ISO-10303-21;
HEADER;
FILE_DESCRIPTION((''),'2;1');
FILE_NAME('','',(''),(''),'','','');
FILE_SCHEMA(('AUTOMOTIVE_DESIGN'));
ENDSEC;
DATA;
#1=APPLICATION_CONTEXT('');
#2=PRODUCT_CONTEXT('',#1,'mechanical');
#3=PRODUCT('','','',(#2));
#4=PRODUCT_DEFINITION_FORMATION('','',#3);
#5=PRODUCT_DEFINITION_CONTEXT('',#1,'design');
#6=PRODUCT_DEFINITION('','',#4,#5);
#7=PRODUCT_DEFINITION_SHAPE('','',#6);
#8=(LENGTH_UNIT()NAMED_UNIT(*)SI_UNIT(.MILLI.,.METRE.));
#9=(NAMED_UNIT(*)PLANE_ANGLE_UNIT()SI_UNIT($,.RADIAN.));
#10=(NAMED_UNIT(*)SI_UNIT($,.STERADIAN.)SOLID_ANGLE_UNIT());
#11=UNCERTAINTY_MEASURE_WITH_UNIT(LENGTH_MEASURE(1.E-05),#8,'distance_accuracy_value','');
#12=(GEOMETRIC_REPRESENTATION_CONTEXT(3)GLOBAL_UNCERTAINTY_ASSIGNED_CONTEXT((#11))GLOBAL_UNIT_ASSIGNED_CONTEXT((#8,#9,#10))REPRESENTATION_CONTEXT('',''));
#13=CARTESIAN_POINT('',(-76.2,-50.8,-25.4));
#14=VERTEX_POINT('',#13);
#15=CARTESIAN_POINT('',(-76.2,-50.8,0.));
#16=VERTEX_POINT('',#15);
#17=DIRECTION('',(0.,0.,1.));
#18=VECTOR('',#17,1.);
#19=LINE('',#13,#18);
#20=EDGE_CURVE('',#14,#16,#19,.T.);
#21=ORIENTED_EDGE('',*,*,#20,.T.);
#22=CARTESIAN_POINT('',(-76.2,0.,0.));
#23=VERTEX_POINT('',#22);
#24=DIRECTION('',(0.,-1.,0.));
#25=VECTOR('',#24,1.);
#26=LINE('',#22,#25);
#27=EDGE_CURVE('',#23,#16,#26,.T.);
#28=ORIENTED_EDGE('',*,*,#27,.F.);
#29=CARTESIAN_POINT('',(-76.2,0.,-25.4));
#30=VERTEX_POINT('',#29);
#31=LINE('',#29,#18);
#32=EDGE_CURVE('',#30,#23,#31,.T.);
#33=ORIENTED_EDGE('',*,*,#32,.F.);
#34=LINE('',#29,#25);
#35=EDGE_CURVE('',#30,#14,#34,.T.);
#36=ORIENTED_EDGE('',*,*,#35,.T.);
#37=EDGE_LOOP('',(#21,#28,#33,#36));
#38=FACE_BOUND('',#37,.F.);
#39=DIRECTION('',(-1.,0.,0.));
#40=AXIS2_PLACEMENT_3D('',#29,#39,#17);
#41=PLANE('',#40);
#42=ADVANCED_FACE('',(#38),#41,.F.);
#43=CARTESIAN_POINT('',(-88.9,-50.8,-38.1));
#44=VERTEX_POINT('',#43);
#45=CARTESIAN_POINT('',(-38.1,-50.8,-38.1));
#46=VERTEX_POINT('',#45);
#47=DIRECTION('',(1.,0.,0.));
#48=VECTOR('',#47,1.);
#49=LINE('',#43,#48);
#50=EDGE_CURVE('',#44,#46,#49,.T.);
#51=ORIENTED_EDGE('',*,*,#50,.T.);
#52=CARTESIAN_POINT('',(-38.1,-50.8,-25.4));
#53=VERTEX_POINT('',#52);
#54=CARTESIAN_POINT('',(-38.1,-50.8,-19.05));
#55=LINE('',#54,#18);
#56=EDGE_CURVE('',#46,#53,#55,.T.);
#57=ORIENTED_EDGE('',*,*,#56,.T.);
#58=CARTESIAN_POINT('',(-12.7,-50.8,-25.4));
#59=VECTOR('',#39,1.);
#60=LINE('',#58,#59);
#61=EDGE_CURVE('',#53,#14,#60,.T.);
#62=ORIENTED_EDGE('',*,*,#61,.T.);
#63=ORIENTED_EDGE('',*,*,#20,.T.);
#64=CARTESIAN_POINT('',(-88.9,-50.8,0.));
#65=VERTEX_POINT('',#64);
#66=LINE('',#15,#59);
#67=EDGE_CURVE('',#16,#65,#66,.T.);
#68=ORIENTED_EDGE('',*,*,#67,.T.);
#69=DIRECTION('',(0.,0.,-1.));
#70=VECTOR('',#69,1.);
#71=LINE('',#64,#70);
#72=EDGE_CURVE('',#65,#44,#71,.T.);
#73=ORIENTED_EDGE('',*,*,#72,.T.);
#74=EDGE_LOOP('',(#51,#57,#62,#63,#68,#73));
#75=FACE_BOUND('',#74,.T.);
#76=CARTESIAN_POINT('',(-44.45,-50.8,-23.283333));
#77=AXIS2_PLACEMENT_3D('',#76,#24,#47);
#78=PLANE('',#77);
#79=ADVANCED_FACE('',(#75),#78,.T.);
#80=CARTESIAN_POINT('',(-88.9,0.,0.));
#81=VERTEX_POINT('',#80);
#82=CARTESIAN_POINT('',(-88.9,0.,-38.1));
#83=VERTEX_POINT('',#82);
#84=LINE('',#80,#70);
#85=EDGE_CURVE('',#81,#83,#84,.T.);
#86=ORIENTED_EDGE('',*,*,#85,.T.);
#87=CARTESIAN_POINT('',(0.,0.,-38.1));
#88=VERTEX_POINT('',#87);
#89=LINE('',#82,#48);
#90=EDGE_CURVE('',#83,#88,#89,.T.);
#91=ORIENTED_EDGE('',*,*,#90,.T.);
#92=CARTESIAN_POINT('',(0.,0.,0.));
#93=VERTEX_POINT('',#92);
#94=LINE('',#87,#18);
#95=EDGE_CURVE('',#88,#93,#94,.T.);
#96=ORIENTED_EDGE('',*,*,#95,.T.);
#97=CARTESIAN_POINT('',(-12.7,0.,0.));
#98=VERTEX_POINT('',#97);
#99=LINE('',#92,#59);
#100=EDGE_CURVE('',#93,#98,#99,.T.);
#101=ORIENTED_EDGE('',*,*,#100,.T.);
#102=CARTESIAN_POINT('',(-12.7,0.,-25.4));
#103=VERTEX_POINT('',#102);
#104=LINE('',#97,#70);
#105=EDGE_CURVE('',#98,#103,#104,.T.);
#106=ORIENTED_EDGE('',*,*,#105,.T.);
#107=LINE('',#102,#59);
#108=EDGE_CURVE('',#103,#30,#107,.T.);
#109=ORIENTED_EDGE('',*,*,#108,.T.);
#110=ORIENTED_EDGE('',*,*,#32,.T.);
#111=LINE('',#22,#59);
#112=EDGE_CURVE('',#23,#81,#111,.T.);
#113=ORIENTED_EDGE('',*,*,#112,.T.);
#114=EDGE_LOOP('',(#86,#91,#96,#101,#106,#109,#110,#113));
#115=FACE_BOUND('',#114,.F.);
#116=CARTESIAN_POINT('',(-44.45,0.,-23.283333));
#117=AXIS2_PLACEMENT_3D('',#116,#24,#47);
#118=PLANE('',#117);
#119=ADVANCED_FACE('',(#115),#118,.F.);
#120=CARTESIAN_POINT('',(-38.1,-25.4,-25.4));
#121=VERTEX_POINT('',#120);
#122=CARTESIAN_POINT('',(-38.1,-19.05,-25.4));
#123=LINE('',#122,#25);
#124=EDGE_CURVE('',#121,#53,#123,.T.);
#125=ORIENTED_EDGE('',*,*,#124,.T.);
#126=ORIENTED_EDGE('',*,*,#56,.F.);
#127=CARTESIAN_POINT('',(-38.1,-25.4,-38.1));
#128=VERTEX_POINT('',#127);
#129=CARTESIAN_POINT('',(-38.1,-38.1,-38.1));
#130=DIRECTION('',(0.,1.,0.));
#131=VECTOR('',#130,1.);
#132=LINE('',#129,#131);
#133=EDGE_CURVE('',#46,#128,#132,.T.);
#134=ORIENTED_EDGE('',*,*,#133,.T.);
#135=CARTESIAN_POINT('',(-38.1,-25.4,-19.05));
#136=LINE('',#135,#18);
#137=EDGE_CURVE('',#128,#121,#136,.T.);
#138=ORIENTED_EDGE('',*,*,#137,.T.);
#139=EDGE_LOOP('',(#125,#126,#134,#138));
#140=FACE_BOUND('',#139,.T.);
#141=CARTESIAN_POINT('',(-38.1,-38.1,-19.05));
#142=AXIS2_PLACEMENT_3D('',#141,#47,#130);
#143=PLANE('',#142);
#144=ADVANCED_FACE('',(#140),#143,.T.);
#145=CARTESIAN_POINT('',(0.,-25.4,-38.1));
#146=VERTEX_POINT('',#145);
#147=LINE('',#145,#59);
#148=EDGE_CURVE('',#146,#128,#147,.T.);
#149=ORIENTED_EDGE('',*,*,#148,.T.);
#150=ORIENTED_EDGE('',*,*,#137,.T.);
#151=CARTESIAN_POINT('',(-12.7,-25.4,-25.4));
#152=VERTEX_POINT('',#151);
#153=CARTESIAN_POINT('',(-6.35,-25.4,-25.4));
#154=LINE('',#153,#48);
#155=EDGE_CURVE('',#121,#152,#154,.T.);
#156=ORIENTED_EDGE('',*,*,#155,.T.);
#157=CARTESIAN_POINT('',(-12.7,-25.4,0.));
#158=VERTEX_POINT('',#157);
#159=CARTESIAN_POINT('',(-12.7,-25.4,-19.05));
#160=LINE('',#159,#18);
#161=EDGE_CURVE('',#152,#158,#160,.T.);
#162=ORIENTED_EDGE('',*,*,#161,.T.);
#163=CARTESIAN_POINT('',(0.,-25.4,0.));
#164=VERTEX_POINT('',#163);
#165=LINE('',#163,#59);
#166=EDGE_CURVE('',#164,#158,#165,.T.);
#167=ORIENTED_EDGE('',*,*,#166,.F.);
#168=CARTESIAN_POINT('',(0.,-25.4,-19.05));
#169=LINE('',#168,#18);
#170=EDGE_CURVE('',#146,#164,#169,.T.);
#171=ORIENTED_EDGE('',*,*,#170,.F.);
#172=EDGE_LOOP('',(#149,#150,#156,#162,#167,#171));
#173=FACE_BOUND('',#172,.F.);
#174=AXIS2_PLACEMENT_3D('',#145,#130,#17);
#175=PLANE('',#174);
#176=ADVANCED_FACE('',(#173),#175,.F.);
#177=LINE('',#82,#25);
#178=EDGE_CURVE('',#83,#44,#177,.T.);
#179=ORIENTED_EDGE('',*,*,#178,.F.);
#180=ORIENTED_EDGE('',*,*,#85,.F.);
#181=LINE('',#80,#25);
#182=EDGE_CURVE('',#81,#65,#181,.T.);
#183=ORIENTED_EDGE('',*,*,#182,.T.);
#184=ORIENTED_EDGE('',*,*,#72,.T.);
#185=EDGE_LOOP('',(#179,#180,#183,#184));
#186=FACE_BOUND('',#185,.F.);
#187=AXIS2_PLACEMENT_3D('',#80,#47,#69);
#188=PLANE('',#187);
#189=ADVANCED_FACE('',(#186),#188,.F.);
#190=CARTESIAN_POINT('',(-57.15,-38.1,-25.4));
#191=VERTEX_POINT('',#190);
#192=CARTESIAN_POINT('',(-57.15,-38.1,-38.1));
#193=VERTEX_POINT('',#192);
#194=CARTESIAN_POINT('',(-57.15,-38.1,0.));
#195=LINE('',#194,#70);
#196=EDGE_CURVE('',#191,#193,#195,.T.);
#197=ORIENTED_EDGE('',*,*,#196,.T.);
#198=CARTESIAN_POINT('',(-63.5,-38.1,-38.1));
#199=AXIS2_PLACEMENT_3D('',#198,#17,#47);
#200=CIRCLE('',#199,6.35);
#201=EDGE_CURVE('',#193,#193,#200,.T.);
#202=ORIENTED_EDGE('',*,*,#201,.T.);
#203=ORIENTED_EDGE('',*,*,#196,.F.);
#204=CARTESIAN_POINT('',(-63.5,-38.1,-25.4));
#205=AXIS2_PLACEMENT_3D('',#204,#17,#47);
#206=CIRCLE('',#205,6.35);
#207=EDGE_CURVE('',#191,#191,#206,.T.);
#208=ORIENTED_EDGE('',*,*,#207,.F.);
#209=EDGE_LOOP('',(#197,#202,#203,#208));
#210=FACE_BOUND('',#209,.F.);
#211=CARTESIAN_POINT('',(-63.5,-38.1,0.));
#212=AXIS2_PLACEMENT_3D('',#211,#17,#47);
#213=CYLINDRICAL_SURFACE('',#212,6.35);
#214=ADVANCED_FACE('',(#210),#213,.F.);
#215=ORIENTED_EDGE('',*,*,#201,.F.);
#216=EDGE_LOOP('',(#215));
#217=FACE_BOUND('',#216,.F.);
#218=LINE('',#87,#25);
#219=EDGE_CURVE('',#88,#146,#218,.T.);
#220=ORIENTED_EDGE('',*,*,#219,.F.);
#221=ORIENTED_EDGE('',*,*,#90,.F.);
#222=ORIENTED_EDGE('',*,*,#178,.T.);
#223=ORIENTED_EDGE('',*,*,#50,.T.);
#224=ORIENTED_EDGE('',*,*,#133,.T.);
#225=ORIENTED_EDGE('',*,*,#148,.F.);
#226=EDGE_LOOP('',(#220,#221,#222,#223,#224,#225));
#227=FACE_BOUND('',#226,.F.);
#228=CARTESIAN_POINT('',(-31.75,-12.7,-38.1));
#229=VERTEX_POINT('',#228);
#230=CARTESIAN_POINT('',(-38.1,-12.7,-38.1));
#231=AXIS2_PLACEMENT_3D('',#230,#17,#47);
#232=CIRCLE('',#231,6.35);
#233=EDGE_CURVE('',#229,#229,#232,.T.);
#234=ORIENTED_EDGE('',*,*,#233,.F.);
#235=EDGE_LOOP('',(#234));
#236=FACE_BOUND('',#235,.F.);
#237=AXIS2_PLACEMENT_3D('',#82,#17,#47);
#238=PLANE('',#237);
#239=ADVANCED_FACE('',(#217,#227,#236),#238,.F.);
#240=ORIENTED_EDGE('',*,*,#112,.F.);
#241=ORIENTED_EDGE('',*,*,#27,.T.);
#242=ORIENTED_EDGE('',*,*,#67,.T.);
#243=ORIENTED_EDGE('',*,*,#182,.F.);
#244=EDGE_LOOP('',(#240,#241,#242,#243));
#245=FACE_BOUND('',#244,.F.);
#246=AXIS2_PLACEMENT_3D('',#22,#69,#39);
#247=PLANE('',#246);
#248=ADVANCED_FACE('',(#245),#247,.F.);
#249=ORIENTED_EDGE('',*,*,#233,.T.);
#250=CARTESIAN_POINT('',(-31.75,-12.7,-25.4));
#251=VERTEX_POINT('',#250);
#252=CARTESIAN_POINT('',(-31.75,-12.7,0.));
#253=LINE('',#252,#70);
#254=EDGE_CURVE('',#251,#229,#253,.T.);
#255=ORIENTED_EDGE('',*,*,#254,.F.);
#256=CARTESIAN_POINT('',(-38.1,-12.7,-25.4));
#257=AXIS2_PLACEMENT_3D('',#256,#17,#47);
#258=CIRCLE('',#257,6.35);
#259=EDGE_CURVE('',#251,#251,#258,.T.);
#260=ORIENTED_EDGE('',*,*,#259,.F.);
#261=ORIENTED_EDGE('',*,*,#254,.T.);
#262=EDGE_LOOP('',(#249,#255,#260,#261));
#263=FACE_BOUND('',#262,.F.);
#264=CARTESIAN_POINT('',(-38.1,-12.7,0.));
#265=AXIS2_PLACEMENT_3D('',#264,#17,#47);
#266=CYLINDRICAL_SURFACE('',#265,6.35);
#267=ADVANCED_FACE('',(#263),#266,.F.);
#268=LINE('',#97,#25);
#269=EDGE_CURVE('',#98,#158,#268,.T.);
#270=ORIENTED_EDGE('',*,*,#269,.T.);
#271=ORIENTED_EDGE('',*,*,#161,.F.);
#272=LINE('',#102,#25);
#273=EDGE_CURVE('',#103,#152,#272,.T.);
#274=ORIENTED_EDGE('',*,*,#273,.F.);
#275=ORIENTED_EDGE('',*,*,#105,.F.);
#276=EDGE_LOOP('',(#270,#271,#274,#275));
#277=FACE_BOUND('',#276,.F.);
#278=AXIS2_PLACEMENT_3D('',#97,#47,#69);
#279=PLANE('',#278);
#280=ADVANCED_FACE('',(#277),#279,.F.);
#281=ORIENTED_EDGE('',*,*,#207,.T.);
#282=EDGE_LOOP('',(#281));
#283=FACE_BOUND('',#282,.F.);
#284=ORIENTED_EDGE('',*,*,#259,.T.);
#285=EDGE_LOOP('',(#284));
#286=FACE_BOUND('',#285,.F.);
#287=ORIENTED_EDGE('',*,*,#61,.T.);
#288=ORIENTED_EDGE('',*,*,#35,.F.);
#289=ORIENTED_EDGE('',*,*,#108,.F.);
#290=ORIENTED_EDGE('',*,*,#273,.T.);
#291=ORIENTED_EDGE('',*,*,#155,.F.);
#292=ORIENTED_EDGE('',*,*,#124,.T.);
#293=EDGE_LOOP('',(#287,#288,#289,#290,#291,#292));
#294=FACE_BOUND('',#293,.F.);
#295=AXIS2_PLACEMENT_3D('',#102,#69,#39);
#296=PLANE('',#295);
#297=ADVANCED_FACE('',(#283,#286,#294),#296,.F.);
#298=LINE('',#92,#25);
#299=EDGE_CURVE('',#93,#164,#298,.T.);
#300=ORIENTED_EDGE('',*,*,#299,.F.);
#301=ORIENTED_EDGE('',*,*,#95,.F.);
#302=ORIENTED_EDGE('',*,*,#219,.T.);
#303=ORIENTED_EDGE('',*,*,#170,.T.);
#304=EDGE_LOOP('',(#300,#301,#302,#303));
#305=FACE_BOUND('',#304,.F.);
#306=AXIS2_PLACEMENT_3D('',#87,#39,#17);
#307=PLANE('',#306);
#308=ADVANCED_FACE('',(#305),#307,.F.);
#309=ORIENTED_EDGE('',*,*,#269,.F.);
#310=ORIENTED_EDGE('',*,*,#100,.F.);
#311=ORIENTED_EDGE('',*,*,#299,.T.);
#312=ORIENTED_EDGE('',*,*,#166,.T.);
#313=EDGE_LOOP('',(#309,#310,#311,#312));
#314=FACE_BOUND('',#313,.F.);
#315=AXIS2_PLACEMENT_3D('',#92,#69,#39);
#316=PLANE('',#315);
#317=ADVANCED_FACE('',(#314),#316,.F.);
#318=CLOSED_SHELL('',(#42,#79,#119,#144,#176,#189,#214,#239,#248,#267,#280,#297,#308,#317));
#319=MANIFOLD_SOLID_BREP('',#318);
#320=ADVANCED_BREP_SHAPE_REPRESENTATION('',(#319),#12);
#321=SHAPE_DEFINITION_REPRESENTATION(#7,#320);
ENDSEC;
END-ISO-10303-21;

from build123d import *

# Parameters (mm, degrees)
F1_DEPTH = 50.8
F2_W     = 25.4
F2_H     = 38.1
F3_DEPTH = 38.1
F4_R     = 6.35
F5_DEPTH = 12.7
F6_DEPTH = 38.101
F7_DEPTH = 38.101


with BuildPart() as f1:
    # F0 (on Front) → F1 (new body)
    with BuildSketch(Plane.XZ):
        Polygon((-76.2, 0), (-88.9, 0), (-88.9, -38.1), (0, -38.1), (0, 0), (-12.7, 0), (-12.7, -25.4), (-76.2, -25.4), align=None)
    extrude(amount=F1_DEPTH)

    # F2 (on face) → F3 (cut)
    with BuildSketch(Plane.YZ):
        with Locations((-38.1, -19.05)):
            Rectangle(F2_W, F2_H)
    extrude(amount=-F3_DEPTH, mode=Mode.SUBTRACT)

    # F4 (on Top) → F5 (cut)
    with BuildSketch(Plane.XY):
        with Locations((-63.5, -38.1)):
            Circle(F4_R)
    extrude(amount=-F5_DEPTH, mode=Mode.SUBTRACT)

    # F4 (on Top) → F6 (cut, through all)
    with BuildSketch(Plane.XY):
        with Locations((-63.5, -38.1)):
            Circle(F4_R)
    extrude(amount=-F6_DEPTH, mode=Mode.SUBTRACT)

    # F4 (on Top) → F7 (cut, through all)
    with BuildSketch(Plane.XY):
        with Locations((-38.1, -12.7)):
            Circle(F4_R)
    extrude(amount=-F7_DEPTH, mode=Mode.SUBTRACT)


solid = f1.part
